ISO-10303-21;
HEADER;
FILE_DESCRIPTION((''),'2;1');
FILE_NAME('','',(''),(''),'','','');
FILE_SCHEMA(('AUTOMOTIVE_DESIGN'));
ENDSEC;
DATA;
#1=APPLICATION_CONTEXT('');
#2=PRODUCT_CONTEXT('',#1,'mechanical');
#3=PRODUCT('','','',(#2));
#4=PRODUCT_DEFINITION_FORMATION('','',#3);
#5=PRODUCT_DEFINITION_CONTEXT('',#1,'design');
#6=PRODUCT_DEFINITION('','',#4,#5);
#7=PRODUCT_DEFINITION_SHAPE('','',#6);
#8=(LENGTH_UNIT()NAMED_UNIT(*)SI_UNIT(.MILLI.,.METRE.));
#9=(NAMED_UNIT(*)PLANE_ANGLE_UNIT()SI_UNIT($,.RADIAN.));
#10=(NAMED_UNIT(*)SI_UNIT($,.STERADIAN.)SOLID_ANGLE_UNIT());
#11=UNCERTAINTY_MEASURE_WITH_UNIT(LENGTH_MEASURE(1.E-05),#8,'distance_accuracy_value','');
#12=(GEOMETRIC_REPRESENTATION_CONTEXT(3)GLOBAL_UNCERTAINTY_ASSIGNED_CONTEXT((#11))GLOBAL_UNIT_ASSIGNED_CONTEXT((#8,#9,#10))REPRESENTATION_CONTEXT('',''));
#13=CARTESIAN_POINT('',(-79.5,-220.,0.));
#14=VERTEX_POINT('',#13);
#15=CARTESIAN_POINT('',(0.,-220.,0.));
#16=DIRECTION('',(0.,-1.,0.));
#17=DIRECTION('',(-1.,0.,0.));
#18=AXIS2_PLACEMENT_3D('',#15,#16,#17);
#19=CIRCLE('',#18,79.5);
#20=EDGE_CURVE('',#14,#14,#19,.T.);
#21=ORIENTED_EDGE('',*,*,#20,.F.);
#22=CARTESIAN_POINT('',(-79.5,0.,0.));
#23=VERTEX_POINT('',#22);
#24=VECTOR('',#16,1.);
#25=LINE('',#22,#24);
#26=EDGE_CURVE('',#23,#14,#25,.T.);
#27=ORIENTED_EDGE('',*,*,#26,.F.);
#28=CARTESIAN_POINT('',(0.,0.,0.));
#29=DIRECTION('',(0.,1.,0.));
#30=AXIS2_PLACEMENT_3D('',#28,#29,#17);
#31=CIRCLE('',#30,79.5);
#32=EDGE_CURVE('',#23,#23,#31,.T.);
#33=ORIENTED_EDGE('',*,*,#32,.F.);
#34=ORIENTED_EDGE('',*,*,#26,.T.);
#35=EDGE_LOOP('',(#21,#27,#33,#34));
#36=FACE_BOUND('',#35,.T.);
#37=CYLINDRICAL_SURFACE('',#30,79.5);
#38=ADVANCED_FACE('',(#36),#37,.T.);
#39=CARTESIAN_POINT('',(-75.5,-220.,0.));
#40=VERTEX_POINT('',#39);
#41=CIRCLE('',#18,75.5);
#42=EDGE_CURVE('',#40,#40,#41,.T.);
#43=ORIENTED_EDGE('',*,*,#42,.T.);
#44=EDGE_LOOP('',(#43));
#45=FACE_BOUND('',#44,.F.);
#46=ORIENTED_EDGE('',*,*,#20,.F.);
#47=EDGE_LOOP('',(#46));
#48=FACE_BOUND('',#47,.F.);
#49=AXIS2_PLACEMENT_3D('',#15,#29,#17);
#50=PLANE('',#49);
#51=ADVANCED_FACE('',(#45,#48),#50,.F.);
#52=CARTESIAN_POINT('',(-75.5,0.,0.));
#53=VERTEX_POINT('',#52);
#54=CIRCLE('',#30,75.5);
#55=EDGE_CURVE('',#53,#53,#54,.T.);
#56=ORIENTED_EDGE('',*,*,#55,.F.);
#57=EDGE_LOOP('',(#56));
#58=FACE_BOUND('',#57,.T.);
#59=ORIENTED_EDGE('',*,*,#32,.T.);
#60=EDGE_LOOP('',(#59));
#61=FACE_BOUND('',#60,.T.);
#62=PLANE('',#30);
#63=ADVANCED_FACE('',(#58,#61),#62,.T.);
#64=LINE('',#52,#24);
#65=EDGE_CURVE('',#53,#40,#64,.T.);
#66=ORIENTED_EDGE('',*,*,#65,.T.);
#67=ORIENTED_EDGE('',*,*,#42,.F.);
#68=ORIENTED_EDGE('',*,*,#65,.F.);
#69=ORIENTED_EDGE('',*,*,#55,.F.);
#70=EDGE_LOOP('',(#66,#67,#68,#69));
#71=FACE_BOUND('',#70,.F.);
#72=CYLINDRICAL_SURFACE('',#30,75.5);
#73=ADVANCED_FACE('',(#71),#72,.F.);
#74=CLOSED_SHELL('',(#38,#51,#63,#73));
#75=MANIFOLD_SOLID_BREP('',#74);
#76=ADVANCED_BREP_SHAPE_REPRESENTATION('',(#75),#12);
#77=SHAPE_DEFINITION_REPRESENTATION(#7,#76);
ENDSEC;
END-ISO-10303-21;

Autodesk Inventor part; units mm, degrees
ref_plane "YZ Plane" through (0, 0, 0) normal (1, 0, 0) x (0, 1, 0)
ref_plane "XZ Plane" through (0, 0, 0) normal (0, 1, 0) x (-1, 0, 0)
ref_plane "XY Plane" through (0, 0, 0) normal (0, 0, 1) x (1, 0, 0)
sketch "Sketch1" plane through (0, 0, 0) normal (0, 1, 0) x (-1, 0, 0)
  circle A0 centre (0, 0) radius 79.5
  circle A1 centre (0, 0) radius 75.5
  line L0 (79.5, 0) -> (-79.5, 0)
  point P0 (-75.5, 0)
  point P1 (75.5, 0)
  dimension "d0" = 159
  dimension "d1" = 4
extrude "Extrusion1" add sketch "Sketch1" against normal blind 220 contours L0 A1 A0 | A0 L0 A1
properties part number "TZS 1221 charging tube" material "Steel"
